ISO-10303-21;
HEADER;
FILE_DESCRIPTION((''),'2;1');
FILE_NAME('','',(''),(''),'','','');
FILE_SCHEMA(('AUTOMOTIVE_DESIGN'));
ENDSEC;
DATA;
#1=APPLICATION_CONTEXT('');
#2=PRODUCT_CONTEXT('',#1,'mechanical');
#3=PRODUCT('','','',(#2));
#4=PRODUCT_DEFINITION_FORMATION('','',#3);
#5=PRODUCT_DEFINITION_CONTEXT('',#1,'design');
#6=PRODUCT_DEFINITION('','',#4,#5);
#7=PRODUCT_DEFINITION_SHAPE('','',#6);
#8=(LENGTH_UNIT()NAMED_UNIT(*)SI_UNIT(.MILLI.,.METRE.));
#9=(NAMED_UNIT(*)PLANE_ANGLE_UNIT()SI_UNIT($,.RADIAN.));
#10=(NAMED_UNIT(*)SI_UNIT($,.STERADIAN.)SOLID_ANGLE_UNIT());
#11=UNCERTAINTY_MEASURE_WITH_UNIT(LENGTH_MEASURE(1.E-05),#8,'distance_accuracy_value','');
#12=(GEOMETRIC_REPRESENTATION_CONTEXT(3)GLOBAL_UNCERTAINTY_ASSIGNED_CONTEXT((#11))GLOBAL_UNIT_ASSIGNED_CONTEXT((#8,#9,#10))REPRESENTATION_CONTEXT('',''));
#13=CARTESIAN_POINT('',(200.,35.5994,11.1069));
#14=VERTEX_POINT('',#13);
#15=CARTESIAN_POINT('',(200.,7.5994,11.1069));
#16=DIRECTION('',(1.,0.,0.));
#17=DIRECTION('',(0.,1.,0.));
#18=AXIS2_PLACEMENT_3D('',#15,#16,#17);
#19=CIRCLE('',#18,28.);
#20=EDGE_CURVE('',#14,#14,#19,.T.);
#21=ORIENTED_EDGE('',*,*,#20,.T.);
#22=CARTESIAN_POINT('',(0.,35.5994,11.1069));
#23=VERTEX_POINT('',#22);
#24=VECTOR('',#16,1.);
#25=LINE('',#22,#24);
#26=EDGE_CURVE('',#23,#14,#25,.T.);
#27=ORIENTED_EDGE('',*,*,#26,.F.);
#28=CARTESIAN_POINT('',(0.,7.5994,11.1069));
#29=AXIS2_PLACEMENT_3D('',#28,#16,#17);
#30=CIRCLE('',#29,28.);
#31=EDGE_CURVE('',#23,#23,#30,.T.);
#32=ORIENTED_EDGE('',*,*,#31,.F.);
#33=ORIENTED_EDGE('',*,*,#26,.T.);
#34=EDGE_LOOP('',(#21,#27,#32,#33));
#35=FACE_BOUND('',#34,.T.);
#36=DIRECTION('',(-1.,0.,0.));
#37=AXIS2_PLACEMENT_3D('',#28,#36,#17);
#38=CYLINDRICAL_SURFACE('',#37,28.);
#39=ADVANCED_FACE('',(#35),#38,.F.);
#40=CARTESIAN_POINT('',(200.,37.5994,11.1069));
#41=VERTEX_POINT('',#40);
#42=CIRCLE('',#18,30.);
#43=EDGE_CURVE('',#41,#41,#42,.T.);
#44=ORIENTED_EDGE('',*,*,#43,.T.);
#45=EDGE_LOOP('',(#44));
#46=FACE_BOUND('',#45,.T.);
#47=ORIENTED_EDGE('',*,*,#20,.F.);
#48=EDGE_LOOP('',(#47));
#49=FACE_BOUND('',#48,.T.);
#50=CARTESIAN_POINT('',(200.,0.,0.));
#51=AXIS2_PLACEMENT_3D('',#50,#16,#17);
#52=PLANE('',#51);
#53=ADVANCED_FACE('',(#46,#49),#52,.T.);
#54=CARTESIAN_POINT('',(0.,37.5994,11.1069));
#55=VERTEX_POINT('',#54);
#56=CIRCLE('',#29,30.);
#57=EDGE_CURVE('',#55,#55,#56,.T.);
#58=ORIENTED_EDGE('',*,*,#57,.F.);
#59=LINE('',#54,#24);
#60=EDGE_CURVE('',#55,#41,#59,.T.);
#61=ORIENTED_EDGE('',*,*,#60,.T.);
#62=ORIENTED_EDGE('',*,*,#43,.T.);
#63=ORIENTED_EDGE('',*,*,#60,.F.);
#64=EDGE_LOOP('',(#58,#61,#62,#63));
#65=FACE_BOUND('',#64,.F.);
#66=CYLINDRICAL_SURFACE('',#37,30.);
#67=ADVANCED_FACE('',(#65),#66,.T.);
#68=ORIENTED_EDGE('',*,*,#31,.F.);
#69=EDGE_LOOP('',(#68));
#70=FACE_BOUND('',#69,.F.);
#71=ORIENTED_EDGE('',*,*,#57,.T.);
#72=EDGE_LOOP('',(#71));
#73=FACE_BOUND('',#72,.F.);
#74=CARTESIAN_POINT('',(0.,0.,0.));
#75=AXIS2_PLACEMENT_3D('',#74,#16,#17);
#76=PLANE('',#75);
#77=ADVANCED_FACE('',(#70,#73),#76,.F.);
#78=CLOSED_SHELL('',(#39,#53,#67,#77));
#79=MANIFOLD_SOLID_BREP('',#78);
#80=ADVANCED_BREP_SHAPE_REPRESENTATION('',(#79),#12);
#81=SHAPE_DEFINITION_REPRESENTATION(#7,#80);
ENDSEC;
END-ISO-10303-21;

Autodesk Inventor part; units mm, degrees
ref_plane "YZ Plane" through (0, 0, 0) normal (1, 0, 0) x (0, 1, 0)
ref_plane "XZ Plane" through (0, 0, 0) normal (0, 1, 0) x (-1, 0, 0)
ref_plane "XY Plane" through (0, 0, 0) normal (0, 0, 1) x (1, 0, 0)
sketch "Sketch1" plane through (0, 0, 0) normal (1, 0, 0) x (0, 1, 0)
  circle A0 centre (7.5994, 11.1069) radius 30
  circle A1 centre (7.5994, 11.1069) radius 28
  point P0 (0, 0)
  dimension "d0" = 60
  dimension "d1" = 56
extrude "Extrusion1" add sketch "Sketch1" along normal blind 200 contours A0 | A1
extrude "Extrusion2" cut sketch "Sketch1" along normal blind 200 contours A1
properties part number "extratube2"
